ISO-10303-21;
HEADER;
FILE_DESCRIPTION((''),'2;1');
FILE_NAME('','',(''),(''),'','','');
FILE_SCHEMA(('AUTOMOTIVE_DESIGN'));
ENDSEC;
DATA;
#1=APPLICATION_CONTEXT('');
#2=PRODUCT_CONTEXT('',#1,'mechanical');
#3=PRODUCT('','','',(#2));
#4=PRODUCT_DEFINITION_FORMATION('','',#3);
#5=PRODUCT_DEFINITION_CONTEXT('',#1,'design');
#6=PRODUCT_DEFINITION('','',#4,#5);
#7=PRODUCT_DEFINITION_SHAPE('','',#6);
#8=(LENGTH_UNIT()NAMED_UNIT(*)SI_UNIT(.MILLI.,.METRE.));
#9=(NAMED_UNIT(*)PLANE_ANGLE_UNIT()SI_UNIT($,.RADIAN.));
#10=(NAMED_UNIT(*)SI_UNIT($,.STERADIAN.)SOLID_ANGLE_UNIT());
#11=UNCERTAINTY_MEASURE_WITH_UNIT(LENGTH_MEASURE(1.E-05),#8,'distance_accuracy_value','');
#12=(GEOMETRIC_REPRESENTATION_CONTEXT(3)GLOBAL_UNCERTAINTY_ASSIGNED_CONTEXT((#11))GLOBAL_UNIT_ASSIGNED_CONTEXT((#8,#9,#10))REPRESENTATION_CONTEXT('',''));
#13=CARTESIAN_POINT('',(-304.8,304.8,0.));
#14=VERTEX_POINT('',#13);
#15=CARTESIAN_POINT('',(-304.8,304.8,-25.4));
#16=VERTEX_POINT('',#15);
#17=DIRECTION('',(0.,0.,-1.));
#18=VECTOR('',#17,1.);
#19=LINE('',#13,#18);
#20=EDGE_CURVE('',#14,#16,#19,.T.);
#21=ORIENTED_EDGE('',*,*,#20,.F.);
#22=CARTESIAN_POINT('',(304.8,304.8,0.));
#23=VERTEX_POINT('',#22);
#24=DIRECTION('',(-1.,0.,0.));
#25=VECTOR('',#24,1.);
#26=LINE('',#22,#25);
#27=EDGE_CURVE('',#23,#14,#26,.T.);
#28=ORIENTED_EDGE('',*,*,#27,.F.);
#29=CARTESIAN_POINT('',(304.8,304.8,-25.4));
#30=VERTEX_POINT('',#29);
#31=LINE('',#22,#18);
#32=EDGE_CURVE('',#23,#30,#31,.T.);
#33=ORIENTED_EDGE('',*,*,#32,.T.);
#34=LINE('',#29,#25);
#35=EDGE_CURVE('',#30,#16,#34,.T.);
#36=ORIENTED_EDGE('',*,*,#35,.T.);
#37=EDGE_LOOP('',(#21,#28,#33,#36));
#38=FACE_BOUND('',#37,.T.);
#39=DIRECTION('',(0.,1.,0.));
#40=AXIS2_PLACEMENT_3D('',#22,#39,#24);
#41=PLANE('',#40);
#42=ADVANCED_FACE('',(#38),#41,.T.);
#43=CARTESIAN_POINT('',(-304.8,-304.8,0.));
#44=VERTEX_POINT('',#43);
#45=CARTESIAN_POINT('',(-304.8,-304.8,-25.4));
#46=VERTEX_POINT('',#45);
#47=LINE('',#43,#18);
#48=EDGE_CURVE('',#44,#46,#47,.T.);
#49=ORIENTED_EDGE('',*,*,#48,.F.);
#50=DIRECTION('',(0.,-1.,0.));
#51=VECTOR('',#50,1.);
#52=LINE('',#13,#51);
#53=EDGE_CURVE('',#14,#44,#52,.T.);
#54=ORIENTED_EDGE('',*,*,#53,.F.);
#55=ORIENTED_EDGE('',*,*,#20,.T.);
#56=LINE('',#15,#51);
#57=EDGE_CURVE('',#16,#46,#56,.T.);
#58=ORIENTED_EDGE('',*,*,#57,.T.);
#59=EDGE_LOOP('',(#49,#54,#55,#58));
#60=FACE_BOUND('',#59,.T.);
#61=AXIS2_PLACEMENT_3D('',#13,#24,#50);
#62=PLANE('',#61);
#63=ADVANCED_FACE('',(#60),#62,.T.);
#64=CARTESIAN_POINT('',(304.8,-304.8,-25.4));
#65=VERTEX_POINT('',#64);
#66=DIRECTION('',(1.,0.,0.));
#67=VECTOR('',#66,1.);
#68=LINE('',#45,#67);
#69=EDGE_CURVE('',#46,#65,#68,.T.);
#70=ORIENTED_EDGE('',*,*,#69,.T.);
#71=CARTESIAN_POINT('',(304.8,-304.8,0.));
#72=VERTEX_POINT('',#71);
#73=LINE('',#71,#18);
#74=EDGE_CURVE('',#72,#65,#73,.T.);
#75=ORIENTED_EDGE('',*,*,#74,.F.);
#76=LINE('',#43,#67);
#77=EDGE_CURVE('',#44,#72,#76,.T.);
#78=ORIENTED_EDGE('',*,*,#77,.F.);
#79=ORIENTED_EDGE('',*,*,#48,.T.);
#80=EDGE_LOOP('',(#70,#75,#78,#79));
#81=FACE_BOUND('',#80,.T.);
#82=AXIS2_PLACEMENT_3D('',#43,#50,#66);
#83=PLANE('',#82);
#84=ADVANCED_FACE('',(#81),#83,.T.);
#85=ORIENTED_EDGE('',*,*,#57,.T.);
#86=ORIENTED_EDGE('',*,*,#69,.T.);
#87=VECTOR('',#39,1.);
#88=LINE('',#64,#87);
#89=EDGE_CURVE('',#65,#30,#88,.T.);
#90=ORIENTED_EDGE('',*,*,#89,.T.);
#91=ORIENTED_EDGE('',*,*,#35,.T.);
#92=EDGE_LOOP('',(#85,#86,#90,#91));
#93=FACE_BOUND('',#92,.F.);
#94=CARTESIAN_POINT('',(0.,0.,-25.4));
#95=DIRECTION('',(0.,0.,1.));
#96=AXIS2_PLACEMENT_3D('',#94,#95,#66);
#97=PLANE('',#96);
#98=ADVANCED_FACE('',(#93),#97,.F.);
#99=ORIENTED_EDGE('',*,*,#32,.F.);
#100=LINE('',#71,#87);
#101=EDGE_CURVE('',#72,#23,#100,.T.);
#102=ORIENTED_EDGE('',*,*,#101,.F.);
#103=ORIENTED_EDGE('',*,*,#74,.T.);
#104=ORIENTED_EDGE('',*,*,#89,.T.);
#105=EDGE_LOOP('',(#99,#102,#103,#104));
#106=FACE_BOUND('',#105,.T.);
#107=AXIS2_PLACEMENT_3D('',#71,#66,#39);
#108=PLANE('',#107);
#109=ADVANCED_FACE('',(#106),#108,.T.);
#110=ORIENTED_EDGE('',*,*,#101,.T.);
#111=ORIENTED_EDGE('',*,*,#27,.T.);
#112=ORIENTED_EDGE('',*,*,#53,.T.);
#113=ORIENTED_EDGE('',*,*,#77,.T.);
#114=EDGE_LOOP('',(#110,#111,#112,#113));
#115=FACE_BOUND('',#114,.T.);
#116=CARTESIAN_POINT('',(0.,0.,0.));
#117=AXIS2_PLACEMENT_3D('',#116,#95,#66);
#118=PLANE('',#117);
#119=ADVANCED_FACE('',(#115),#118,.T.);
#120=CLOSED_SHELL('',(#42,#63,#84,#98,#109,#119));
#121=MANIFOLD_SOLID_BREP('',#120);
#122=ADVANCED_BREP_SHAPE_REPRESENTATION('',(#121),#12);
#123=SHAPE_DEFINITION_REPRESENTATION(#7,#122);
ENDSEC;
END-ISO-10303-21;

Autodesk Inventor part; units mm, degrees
ref_plane "YZ Plane" through (0, 0, 0) normal (1, 0, 0) x (0, 1, 0)
ref_plane "XZ Plane" through (0, 0, 0) normal (0, 1, 0) x (-1, 0, 0)
ref_plane "XY Plane" through (0, 0, 0) normal (0, 0, 1) x (1, 0, 0)
sketch "Sketch1" plane through (0, 0, 0) normal (0, 0, 1) x (1, 0, 0)
  line L0 (-304.8, -304.8) -> (304.8, -304.8)
  line L1 (304.8, -304.8) -> (304.8, 304.8)
  line L2 (304.8, 304.8) -> (-304.8, 304.8)
  line L3 (-304.8, 304.8) -> (-304.8, -304.8)
  line L4 (-304.8, -304.8) -> (304.8, 304.8) construction
  line L5 (304.8, -304.8) -> (-304.8, 304.8) construction
  point P0 (0, 0)
  dimension "d0" = 609.6
  dimension "d1" = 609.6
extrude "Extrusion1" add sketch "Sketch1" against normal blind 25.4
properties part number "wall"
